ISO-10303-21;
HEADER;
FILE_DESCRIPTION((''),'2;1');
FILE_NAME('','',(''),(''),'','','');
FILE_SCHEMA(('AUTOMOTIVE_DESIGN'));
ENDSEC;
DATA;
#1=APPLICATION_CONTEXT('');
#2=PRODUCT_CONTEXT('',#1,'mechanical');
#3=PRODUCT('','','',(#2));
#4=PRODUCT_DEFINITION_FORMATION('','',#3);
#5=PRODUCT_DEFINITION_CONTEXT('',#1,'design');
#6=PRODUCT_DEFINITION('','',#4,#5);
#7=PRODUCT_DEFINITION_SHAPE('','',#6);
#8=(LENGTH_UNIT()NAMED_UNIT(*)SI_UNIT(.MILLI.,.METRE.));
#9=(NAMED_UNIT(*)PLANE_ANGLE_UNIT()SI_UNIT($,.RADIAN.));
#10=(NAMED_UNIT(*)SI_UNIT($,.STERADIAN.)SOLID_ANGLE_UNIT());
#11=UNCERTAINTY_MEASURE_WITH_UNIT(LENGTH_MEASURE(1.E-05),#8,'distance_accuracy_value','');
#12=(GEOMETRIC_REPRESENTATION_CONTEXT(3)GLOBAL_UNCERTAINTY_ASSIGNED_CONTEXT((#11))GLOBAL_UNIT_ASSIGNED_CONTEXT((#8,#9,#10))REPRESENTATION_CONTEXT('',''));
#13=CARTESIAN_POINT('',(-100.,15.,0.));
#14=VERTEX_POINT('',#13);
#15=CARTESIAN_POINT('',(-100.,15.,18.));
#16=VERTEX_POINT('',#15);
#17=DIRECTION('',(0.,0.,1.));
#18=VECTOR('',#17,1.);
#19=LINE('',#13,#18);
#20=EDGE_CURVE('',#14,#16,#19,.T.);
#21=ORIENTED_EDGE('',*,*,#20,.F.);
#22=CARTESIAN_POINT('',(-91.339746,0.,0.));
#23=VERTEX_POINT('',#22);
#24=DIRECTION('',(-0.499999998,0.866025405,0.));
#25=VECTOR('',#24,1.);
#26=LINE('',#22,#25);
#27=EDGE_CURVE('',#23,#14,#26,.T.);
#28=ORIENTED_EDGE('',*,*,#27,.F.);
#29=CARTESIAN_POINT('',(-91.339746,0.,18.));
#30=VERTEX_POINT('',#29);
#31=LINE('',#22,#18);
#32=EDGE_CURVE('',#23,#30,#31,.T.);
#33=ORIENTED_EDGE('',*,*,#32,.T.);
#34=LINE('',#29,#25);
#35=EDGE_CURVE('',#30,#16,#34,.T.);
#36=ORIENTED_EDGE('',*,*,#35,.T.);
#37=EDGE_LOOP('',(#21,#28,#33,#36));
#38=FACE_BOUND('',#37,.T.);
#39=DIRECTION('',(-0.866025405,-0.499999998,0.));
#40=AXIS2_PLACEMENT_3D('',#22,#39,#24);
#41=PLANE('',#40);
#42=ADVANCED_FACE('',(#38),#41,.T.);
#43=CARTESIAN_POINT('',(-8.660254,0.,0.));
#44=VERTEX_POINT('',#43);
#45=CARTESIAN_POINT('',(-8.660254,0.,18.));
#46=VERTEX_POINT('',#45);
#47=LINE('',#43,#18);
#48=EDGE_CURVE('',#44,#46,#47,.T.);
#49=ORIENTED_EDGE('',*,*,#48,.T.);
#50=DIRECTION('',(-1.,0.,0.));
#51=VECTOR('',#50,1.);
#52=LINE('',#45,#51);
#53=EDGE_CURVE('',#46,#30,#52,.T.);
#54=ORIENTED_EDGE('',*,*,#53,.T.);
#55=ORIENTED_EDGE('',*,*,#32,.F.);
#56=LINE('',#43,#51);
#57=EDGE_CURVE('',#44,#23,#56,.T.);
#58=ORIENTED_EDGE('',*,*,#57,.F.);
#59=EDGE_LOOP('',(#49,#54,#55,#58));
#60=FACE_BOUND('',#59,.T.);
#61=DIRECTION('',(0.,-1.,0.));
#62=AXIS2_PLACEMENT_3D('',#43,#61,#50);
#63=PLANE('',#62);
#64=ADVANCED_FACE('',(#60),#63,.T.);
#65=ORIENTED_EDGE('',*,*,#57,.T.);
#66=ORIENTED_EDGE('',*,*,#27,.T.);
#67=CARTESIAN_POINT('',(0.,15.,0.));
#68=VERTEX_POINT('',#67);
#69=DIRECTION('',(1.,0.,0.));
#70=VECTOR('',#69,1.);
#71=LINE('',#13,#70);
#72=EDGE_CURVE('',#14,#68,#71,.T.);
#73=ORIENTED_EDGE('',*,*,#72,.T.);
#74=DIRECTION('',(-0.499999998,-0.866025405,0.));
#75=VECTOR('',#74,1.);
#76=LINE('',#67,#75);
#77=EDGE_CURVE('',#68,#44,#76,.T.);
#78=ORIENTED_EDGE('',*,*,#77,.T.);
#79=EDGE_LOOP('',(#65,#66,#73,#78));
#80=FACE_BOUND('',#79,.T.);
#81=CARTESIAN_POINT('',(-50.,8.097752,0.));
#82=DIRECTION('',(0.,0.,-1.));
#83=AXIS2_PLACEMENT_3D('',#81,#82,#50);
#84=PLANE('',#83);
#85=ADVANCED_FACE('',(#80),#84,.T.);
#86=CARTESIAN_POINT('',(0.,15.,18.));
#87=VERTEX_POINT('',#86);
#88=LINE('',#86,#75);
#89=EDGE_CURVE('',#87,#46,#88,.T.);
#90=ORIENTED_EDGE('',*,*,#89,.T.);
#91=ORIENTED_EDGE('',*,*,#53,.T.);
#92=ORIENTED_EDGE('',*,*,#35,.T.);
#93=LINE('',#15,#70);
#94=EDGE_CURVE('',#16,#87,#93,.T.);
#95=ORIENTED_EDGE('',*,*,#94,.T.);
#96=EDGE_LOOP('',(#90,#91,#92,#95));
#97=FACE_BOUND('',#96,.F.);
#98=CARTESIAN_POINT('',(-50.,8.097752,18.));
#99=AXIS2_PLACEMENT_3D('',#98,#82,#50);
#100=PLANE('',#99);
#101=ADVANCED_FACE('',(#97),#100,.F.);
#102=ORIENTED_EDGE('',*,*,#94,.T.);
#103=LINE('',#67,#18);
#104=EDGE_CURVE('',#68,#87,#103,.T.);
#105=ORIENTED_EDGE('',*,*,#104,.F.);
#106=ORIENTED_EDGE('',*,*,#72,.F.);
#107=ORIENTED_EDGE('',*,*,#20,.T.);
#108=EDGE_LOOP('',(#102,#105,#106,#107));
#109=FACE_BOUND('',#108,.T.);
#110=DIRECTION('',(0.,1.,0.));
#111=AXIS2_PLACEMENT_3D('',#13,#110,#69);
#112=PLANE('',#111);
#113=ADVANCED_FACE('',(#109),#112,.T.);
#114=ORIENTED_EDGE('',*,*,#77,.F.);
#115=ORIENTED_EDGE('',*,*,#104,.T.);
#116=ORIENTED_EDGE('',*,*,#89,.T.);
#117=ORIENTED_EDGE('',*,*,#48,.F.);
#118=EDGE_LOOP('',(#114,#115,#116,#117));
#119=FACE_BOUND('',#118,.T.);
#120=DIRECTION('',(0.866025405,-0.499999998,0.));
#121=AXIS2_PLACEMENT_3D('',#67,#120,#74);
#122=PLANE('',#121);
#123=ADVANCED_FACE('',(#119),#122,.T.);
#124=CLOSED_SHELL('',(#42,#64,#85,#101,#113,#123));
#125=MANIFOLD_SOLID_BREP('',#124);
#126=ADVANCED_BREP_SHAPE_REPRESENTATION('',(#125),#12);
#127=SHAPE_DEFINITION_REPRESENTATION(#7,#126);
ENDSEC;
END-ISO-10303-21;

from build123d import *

# Parameters (mm, degrees)
PAD_DEPTH = 18


with BuildPart() as part:
    # Sketch → Pad (new body)
    with BuildSketch(Plane.XY):
        Polygon((-8.660254, 0), (-91.339746, 0), (-100, 15), (0, 15), align=None)
    extrude(amount=PAD_DEPTH)


solid = part.part
